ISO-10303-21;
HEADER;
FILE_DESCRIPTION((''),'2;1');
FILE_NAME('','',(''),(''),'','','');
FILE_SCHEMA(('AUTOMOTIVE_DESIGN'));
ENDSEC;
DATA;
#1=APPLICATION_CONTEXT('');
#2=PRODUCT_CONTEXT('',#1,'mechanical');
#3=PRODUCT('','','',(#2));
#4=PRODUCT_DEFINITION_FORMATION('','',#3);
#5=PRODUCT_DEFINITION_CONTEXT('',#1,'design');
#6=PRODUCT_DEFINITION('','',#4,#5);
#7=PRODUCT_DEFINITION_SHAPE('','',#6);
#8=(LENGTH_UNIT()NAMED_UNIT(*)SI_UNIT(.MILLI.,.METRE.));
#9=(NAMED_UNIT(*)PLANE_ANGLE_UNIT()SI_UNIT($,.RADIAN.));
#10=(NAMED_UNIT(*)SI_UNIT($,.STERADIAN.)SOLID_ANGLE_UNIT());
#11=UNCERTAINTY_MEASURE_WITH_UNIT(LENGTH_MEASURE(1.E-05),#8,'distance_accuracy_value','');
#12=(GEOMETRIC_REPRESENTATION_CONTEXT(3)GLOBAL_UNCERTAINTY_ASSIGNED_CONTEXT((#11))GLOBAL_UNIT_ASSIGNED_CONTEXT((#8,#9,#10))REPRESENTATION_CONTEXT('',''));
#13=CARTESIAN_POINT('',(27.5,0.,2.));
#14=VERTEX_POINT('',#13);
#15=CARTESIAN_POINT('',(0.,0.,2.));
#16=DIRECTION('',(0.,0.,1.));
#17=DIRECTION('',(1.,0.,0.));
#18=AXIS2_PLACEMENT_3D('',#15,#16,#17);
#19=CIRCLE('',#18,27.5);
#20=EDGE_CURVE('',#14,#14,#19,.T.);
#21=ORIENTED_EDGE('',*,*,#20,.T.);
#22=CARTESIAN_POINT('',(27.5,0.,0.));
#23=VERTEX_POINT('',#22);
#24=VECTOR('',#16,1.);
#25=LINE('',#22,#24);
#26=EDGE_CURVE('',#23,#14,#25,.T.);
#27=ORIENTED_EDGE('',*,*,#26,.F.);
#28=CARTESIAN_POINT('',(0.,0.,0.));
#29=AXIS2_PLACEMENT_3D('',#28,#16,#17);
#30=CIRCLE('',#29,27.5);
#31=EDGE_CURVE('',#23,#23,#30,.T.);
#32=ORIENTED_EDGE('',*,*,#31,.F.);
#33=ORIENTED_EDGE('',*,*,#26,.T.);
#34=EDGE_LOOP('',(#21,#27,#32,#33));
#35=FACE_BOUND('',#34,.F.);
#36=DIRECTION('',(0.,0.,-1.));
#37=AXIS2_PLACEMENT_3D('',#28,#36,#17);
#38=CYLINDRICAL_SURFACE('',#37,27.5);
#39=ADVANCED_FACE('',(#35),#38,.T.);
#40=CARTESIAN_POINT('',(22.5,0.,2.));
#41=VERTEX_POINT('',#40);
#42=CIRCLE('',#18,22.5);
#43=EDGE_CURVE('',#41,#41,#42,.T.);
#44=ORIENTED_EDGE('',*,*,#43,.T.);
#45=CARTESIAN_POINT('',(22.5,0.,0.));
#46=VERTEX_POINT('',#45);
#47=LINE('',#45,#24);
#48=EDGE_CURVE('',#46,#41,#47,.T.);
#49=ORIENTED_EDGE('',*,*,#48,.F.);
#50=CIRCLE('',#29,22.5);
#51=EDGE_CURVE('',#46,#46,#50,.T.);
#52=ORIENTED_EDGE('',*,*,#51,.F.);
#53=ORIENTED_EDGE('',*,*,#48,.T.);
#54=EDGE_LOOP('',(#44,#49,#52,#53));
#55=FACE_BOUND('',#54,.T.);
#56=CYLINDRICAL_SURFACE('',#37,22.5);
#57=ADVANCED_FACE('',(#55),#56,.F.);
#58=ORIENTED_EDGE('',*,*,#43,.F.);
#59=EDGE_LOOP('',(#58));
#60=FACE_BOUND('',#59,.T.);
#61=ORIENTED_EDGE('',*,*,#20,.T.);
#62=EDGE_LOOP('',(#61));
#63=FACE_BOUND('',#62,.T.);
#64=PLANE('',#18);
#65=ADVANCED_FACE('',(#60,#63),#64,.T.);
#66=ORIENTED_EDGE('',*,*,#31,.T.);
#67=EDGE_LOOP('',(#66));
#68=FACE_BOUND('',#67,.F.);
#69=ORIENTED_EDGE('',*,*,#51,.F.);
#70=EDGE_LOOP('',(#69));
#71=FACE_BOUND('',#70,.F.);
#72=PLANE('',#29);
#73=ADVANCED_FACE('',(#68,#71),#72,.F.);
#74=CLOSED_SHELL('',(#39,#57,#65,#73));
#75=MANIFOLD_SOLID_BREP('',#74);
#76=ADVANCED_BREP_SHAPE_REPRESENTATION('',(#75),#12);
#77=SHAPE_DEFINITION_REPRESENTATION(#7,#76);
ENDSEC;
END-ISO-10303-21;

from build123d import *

# Parameters (mm, degrees)
SKETCH_R   = 27.5
SKETCH_R_2 = 22.5
PAD_DEPTH  = 2


with BuildPart() as part:
    # Sketch → Pad (new body)
    with BuildSketch(Plane.XY):
        Circle(SKETCH_R)
        Circle(SKETCH_R_2, mode=Mode.SUBTRACT)
    extrude(amount=PAD_DEPTH)


solid = part.part
